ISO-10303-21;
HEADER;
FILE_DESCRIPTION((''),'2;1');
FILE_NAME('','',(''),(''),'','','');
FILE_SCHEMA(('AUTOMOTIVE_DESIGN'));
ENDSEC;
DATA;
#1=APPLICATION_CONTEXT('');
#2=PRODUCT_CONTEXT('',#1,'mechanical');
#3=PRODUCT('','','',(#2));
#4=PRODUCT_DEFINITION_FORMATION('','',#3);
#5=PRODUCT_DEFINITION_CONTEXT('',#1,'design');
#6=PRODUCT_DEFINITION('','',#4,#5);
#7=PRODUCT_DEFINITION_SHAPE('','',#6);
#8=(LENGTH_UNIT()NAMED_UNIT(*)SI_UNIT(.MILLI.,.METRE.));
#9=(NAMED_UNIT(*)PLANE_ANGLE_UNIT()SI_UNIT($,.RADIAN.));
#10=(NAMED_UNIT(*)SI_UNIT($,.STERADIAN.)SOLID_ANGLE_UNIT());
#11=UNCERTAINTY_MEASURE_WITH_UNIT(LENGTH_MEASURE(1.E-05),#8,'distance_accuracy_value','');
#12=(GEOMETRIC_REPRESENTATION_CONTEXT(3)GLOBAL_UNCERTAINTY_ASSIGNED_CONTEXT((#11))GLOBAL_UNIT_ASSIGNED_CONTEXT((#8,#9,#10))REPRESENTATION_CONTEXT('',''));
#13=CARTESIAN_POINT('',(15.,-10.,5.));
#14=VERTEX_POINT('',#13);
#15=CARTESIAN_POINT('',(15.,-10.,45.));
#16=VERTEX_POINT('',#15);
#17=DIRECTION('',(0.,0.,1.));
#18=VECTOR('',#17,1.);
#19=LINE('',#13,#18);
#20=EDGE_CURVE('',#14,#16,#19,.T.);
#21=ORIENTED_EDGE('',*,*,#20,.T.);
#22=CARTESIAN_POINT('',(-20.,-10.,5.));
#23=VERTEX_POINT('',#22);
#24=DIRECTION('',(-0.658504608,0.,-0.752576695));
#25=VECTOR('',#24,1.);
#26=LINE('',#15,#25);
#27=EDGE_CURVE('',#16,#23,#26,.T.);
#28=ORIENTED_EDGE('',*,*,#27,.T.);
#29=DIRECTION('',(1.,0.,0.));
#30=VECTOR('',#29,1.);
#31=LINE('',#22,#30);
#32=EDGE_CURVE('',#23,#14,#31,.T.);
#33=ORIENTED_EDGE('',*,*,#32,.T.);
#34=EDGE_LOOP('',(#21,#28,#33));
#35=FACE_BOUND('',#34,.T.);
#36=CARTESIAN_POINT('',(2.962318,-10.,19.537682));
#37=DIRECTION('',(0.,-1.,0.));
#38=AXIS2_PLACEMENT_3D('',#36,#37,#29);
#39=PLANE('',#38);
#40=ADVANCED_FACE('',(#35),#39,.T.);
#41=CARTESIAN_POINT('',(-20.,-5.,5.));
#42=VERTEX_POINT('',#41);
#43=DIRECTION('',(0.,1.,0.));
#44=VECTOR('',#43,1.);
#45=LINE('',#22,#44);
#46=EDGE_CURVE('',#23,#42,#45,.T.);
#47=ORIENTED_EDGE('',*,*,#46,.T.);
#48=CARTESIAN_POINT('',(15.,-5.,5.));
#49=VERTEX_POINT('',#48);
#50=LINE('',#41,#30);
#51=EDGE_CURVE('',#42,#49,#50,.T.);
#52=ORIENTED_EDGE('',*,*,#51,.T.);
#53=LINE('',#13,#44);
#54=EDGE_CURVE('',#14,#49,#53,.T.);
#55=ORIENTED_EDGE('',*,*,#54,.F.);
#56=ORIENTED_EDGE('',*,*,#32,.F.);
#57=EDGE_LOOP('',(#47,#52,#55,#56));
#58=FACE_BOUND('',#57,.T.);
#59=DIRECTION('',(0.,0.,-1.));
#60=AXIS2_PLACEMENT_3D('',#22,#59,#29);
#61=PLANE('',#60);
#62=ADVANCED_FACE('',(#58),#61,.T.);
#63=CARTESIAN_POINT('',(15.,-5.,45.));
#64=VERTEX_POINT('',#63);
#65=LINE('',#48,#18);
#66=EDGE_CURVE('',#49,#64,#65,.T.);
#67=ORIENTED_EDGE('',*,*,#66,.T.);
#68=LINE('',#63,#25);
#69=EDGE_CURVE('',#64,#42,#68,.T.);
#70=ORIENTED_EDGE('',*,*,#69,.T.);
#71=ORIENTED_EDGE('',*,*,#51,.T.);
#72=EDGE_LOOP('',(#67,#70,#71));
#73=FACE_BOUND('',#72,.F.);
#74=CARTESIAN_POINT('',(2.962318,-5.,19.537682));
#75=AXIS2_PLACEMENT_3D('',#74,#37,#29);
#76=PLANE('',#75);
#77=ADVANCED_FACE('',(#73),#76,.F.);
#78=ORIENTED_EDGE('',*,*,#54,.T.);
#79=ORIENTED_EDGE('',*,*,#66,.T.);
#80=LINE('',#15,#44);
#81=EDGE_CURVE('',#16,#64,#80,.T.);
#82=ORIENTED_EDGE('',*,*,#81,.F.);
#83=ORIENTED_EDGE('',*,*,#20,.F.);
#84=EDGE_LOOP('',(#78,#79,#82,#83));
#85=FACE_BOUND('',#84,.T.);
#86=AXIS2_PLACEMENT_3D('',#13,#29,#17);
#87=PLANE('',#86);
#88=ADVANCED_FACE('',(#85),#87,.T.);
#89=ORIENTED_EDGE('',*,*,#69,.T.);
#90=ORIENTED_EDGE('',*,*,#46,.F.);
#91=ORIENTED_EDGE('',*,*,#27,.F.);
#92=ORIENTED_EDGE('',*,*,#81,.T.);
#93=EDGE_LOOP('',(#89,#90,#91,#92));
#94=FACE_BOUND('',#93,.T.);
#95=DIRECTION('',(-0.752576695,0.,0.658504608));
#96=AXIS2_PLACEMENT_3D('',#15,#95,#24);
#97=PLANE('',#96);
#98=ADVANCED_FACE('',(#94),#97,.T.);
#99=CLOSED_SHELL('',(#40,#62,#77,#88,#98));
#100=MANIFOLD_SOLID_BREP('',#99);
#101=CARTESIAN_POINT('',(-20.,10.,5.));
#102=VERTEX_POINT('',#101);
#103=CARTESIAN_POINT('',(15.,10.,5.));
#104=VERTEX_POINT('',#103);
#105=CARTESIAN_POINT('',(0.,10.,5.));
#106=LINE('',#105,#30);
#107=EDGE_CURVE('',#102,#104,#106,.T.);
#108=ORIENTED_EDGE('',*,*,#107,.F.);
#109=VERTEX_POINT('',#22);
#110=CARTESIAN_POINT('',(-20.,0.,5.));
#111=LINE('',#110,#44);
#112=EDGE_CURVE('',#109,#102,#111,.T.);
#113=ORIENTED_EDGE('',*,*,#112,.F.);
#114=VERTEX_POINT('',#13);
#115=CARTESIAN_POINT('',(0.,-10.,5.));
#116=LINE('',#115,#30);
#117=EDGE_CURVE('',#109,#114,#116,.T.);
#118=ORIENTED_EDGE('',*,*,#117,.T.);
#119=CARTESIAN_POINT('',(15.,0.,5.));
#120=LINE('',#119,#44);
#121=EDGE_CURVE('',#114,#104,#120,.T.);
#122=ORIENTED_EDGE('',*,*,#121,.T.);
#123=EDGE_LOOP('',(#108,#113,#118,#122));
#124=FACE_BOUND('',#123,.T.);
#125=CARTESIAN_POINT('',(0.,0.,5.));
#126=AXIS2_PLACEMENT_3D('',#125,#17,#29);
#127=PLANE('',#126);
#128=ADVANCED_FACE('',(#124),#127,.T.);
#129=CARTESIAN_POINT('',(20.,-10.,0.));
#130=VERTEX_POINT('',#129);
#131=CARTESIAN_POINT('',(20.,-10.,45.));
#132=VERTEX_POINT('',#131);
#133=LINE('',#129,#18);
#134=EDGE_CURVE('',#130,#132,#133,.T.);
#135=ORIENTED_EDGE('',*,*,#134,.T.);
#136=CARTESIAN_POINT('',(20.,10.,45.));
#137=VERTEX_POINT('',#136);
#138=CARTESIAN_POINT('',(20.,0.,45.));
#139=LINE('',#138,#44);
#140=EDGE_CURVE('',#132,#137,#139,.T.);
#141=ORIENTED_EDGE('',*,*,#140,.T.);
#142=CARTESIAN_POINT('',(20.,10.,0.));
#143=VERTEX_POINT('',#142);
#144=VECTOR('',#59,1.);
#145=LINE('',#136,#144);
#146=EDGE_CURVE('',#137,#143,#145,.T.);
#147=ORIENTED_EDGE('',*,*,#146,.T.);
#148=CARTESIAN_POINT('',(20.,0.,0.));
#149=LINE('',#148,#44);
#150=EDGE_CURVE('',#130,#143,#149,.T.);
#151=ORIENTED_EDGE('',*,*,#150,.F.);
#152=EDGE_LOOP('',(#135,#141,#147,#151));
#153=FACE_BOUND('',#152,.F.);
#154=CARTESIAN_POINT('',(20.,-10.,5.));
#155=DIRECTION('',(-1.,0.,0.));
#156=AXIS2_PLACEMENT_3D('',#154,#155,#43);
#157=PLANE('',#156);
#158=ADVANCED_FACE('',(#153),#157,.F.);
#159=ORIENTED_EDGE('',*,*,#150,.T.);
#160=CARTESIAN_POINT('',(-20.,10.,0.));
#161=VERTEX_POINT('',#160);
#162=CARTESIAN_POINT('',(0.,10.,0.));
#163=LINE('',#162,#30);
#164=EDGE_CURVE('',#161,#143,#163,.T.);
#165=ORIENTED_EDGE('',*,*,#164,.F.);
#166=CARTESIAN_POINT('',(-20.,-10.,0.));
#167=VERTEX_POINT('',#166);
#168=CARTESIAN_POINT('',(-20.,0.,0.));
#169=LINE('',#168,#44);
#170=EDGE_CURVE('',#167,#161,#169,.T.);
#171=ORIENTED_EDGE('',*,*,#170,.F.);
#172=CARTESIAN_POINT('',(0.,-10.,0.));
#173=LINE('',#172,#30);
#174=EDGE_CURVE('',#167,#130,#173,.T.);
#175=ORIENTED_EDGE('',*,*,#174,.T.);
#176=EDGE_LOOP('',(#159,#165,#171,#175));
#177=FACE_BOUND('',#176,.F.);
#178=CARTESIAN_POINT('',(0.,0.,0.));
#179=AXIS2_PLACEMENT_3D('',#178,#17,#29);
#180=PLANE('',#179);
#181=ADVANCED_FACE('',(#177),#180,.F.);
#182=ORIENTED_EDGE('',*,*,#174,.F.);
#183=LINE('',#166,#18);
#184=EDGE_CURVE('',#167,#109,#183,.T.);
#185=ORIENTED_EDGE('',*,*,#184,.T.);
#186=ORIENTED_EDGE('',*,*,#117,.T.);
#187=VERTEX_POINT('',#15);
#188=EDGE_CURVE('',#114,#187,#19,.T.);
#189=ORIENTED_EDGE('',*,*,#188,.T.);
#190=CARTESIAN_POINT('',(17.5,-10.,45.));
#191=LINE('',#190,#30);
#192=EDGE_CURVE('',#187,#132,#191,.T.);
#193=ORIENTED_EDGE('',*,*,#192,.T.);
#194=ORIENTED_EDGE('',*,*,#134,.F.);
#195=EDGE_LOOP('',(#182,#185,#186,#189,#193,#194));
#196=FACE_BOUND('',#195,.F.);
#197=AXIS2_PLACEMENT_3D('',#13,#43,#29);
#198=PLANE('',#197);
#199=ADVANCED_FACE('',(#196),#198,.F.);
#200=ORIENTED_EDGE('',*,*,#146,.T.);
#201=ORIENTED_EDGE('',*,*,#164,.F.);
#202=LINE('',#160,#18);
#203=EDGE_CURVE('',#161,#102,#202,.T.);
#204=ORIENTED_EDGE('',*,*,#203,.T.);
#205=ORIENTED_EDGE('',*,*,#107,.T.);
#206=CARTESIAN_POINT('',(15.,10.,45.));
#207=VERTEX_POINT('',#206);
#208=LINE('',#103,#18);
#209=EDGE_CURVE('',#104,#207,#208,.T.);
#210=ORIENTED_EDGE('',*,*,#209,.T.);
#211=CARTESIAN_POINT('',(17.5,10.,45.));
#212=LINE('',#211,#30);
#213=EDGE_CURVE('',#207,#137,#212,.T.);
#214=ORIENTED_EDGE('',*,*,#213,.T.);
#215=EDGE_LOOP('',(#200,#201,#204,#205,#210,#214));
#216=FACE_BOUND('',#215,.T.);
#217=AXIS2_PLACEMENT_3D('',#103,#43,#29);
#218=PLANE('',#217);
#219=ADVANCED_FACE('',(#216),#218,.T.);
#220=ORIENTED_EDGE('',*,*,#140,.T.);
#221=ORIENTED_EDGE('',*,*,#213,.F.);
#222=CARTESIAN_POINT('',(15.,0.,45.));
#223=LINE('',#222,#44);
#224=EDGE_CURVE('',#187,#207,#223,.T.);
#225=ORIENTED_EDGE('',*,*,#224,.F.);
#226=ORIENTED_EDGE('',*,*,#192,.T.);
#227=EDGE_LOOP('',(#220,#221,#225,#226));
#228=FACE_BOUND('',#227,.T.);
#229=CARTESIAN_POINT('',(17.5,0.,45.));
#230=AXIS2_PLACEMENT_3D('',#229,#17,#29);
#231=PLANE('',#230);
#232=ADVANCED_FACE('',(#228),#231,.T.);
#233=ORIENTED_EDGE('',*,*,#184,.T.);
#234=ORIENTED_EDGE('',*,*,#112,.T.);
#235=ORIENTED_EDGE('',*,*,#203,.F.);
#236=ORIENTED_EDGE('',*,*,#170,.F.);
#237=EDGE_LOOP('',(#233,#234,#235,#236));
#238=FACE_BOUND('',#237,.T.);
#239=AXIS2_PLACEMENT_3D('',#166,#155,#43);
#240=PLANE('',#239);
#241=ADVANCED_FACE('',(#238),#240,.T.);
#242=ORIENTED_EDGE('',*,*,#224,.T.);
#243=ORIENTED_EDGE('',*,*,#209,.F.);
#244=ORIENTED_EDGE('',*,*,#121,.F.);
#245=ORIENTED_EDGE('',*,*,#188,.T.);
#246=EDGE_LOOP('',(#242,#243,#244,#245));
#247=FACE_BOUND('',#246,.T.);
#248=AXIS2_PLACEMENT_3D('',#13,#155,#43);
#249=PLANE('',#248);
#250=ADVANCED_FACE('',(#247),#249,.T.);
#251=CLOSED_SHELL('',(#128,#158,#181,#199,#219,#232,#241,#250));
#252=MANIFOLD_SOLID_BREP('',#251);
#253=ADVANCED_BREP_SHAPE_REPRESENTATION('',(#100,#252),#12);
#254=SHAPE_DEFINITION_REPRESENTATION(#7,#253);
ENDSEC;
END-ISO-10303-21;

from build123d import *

# Parameters (mm, degrees)
F0_W     = 40
F0_H     = 20
F1_DEPTH = 5
F2_W     = 5
F2_H     = 20
F3_DEPTH = 40
F5_DEPTH = 5


with BuildPart() as f1:
    # F0 (on Top) → F1 (new body)
    with BuildSketch(Plane.XY):
        Rectangle(F0_W, F0_H)
    extrude(amount=F1_DEPTH)

    # F2 (on face) → F3 (join)
    with BuildSketch(Plane.XY.offset(5)):
        with Locations((17.5, 0)):
            Rectangle(F2_W, F2_H)
    extrude(amount=F3_DEPTH)


with BuildPart() as f5:
    # F4 (on face) → F5 (new body)
    with BuildSketch(Plane.XZ.offset(10)):
        Polygon((15, 5), (15, 45), (-20, 5), align=None)
    extrude(amount=-F5_DEPTH)


solid = Compound([f1.part, f5.part])
